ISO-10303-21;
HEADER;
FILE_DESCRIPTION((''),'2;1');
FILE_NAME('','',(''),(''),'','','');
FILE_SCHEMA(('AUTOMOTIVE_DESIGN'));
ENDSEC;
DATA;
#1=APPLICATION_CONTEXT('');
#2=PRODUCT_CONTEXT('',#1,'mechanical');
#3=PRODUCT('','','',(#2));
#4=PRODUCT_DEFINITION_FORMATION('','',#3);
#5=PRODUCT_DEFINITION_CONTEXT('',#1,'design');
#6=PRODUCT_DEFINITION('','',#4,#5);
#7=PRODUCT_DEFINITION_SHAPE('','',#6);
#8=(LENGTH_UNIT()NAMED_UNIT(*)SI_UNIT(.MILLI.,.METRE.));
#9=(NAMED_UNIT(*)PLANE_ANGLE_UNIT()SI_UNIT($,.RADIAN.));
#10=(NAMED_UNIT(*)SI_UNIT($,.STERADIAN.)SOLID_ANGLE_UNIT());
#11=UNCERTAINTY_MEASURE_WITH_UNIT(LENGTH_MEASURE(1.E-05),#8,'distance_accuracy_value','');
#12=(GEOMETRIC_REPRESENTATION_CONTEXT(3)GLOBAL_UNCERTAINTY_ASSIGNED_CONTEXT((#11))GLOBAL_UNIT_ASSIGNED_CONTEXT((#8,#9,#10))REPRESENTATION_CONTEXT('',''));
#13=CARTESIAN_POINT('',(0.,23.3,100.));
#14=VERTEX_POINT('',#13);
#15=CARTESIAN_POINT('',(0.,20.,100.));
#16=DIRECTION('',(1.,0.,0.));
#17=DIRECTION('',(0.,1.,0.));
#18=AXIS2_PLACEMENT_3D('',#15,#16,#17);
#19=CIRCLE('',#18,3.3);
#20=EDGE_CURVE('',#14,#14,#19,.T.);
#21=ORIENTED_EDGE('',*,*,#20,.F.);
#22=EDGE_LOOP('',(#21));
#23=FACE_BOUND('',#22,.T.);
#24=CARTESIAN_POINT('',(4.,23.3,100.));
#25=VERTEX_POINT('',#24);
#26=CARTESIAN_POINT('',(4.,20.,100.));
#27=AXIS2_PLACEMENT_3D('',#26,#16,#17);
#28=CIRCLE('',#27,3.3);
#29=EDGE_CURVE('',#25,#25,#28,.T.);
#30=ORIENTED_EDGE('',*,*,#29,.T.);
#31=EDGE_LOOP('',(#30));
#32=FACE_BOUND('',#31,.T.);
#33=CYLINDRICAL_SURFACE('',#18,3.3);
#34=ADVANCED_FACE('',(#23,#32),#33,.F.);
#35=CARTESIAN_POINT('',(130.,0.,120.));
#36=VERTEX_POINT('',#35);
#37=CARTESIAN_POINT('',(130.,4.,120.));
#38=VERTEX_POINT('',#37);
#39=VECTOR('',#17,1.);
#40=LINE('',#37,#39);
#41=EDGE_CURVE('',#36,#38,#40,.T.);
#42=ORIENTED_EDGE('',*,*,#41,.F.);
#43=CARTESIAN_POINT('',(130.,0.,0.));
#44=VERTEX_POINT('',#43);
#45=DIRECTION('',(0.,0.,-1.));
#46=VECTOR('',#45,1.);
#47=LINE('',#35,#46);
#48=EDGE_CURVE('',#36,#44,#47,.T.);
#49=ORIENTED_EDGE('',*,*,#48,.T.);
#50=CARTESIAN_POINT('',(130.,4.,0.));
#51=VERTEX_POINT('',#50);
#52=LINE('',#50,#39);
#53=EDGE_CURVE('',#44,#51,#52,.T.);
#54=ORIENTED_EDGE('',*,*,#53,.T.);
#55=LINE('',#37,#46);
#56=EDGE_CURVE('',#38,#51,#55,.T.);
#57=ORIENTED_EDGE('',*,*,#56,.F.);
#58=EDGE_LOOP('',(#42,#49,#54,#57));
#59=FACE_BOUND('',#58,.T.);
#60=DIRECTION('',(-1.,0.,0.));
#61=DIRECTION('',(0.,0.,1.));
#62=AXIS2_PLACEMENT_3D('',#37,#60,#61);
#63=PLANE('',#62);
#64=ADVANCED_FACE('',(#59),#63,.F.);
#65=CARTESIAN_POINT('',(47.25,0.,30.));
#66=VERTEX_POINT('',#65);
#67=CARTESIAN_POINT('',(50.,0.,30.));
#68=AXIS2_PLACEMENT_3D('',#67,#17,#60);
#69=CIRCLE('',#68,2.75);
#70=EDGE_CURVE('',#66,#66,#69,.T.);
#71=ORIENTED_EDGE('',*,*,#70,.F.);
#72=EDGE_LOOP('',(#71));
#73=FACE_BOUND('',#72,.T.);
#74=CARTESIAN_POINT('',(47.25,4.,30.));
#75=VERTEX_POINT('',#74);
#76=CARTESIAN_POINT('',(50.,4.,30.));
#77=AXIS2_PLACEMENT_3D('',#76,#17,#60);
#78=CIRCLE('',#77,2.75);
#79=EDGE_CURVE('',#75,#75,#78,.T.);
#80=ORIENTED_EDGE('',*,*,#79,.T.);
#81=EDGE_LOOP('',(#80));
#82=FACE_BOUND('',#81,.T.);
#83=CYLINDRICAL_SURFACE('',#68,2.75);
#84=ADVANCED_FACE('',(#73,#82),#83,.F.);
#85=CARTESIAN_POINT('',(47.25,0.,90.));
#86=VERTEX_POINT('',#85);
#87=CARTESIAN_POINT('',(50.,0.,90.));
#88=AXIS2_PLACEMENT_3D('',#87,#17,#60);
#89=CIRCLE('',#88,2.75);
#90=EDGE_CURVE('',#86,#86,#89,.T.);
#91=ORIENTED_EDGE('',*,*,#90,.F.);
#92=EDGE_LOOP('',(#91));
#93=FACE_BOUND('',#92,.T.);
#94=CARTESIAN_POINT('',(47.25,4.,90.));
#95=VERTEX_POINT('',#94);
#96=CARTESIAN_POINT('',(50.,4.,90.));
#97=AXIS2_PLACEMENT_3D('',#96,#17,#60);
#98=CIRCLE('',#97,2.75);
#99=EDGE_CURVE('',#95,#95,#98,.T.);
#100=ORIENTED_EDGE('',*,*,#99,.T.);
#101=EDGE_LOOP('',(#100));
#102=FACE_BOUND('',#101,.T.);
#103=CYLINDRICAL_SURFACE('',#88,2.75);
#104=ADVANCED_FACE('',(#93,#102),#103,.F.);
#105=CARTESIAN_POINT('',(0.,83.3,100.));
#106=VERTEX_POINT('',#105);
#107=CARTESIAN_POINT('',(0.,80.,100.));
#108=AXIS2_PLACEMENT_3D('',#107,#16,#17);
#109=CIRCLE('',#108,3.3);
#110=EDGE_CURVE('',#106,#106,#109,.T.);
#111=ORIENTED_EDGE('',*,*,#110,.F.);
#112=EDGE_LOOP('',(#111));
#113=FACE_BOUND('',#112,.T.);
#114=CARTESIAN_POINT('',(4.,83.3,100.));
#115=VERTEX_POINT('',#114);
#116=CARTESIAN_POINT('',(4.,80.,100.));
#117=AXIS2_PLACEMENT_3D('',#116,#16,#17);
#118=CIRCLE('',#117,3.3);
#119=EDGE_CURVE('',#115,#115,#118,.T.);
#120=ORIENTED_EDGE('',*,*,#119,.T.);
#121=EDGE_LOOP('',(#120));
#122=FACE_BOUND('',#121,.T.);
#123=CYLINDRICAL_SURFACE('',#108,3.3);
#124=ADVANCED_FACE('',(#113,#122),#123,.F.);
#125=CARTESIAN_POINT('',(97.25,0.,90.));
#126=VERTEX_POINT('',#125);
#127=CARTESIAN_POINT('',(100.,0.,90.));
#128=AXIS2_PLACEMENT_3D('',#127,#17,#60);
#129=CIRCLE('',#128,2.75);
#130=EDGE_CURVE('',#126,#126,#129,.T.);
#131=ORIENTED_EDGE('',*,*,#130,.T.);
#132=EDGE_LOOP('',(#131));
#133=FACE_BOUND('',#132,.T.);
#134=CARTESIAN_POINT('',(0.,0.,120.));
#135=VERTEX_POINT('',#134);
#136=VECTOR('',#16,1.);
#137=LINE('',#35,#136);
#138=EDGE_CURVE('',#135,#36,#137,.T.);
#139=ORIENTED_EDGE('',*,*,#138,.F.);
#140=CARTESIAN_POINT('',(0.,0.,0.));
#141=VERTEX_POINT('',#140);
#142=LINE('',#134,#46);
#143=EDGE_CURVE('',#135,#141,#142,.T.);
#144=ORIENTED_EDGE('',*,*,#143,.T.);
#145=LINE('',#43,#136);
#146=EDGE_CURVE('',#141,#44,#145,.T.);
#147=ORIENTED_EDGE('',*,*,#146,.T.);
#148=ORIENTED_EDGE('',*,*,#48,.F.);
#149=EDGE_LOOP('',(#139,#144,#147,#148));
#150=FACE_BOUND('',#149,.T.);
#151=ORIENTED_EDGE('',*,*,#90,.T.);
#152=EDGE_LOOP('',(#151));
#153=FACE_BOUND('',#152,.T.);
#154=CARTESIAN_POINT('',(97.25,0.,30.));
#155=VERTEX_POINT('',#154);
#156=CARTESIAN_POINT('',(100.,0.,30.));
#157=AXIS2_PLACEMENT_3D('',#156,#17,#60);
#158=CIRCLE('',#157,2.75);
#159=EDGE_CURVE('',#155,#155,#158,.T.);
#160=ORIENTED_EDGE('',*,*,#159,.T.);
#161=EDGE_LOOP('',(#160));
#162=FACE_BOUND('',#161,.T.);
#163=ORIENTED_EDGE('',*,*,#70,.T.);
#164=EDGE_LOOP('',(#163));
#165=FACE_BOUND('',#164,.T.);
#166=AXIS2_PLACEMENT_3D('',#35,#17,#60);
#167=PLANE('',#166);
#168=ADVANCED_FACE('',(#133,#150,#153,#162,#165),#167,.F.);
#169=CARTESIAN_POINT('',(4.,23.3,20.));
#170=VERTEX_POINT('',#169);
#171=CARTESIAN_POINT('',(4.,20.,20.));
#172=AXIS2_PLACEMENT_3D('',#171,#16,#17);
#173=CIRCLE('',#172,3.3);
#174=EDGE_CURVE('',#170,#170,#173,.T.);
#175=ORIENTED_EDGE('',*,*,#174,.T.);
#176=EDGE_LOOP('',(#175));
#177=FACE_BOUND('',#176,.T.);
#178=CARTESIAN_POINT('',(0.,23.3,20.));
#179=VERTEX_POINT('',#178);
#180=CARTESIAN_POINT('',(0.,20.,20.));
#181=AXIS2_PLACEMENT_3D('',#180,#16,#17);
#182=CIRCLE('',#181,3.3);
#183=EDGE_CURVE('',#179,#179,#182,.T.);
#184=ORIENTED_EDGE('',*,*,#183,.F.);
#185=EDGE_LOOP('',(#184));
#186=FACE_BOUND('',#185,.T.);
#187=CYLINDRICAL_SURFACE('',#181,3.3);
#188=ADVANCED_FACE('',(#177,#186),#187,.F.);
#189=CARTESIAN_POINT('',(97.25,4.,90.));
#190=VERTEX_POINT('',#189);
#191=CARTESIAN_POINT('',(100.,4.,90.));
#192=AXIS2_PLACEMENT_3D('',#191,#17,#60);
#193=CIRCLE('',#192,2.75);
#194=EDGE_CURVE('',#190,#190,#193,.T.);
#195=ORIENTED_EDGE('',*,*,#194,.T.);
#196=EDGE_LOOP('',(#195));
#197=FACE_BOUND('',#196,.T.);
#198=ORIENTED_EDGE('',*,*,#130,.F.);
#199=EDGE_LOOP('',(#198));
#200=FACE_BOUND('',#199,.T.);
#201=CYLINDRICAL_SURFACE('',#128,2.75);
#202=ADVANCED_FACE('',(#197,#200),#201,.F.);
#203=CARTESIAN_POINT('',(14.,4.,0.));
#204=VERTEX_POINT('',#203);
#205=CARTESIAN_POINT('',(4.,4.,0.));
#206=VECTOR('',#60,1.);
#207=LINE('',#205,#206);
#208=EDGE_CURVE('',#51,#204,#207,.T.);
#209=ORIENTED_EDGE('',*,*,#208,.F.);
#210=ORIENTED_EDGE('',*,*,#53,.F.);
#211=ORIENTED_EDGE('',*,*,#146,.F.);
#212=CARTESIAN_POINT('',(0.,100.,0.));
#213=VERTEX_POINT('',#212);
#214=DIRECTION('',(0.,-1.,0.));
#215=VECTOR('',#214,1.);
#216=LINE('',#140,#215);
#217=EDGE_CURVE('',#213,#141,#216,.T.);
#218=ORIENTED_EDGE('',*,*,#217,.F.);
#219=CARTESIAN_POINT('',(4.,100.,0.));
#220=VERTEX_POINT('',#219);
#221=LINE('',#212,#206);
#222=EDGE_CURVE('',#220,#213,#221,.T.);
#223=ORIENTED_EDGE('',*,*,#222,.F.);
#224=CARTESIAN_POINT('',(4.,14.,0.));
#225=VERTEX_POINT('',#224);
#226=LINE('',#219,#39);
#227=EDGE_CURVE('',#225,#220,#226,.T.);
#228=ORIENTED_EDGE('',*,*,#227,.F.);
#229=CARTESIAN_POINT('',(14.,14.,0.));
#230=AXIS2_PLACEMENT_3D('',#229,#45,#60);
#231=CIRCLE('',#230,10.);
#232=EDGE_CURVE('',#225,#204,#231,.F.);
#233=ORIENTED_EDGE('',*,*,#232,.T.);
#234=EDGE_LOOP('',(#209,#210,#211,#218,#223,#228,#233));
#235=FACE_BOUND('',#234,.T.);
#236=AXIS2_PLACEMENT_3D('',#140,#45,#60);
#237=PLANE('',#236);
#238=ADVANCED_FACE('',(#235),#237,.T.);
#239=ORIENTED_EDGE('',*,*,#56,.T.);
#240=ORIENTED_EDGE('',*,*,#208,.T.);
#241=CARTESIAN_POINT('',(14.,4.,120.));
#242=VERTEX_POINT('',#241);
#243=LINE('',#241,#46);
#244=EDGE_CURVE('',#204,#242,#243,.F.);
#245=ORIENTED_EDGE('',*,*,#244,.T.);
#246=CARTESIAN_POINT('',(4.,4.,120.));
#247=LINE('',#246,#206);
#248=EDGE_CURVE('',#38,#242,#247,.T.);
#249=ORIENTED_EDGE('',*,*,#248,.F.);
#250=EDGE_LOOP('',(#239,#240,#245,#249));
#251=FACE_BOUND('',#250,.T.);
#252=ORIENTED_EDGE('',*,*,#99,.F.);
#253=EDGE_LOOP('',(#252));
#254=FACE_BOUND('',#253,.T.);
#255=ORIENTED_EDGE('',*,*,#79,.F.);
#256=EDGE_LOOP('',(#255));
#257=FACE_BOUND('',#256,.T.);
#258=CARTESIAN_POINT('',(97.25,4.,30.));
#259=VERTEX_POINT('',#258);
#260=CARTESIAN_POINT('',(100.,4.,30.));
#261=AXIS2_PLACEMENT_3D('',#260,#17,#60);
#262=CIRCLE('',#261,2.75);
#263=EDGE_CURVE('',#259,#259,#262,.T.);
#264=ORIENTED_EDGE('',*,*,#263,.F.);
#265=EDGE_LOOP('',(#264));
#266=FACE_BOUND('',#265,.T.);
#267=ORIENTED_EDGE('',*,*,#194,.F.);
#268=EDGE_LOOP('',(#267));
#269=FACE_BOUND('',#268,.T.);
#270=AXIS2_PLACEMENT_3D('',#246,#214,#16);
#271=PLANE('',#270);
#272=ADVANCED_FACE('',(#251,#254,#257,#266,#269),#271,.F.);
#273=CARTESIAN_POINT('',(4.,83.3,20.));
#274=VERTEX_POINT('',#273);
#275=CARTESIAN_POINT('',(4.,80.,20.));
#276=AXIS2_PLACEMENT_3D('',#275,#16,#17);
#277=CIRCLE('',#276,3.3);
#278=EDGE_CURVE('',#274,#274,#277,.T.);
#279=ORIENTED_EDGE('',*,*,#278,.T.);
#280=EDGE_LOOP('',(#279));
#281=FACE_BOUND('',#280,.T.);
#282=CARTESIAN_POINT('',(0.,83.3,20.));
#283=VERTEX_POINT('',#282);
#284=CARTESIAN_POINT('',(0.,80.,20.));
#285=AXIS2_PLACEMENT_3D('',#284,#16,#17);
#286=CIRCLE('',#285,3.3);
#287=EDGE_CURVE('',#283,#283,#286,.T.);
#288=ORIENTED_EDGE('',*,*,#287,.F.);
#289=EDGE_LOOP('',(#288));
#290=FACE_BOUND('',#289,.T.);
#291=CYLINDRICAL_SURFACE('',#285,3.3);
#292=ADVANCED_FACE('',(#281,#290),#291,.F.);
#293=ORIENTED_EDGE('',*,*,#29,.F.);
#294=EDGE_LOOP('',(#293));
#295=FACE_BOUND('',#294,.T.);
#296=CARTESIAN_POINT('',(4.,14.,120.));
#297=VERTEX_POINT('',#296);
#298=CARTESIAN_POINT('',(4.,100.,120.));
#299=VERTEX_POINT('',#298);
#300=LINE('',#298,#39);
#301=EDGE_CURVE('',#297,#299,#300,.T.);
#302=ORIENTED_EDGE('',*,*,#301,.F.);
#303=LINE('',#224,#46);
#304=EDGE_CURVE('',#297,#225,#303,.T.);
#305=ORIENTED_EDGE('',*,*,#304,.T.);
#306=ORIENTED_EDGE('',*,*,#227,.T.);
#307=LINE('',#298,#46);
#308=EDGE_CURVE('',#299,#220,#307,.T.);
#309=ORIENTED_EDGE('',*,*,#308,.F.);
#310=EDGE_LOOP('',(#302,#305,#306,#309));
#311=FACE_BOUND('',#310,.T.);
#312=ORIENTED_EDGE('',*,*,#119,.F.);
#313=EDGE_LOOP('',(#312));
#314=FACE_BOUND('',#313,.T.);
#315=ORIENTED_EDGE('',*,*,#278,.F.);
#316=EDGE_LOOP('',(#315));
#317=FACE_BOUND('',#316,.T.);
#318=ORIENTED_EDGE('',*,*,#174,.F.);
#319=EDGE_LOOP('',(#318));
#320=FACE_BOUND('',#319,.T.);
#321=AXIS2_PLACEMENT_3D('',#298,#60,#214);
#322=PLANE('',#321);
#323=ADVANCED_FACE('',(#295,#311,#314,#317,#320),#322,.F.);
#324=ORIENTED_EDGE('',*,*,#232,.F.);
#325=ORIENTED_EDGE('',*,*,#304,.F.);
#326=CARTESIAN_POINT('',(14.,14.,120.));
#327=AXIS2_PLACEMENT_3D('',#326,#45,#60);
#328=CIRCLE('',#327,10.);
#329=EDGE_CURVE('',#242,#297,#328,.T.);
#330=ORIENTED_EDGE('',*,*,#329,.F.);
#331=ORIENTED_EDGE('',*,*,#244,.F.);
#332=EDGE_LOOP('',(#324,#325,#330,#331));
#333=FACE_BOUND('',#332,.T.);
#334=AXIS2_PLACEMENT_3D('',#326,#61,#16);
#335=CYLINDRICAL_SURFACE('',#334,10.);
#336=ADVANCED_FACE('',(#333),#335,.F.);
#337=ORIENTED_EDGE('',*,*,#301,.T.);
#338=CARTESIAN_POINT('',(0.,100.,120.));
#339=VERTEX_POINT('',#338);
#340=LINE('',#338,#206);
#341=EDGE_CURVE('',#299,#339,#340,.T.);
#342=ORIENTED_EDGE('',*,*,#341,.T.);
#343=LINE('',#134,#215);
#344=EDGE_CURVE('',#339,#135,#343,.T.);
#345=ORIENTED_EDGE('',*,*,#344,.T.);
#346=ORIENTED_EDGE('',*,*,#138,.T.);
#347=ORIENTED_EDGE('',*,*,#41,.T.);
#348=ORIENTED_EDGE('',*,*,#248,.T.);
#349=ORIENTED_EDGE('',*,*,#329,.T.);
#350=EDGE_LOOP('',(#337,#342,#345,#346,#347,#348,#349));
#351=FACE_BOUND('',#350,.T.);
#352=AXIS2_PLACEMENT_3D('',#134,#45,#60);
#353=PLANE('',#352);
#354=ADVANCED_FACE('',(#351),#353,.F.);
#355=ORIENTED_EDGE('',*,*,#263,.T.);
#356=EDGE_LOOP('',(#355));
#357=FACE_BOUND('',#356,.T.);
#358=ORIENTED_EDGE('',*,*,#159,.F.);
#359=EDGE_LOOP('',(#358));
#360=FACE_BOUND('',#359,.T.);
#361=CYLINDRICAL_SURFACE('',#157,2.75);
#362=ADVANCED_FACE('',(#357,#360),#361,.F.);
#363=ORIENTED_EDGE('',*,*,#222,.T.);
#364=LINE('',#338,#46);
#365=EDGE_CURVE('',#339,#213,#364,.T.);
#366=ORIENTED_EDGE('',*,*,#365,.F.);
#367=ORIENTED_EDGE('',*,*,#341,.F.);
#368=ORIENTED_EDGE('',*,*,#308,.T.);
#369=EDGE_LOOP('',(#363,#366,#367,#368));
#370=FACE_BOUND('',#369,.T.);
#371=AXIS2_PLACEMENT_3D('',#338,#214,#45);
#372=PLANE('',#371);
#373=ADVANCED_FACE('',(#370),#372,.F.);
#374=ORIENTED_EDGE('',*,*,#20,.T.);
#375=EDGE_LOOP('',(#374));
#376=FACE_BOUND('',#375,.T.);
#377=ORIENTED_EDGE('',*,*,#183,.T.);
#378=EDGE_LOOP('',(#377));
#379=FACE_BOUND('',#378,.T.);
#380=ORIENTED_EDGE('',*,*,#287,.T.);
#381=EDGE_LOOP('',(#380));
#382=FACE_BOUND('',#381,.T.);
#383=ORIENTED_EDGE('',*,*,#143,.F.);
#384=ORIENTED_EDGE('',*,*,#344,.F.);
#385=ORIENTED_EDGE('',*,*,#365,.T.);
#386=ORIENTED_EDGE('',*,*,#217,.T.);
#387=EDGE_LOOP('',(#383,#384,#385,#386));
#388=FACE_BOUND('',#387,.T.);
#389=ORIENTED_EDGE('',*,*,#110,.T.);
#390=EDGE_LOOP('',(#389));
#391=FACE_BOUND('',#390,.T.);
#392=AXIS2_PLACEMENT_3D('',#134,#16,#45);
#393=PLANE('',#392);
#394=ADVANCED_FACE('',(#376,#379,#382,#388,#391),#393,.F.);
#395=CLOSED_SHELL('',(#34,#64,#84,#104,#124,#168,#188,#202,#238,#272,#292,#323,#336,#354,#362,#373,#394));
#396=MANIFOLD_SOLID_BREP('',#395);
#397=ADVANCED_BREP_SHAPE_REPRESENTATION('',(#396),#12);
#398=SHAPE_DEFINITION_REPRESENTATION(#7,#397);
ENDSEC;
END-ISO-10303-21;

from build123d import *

# Parameters (mm, degrees)
BOSS_EXTRUDE1_DEPTH = 120
SKETCH4_R           = 3.3
CUT_EXTRUDE1_DEPTH  = 201.688813839
SKETCH5_R           = 2.75
CUT_EXTRUDE2_DEPTH  = 202.285866369
FILLET1_R           = 10


with BuildPart() as part:
    # Sketch2 → Boss-Extrude1 (new body)
    with BuildSketch(Plane.XY):
        Polygon((0, 0), (0, 100), (4, 100), (4, 4), (130, 4), (130, 0), align=None)
    extrude(amount=BOSS_EXTRUDE1_DEPTH)

    # Sketch4 → Cut-Extrude1 (cut, through all)
    with BuildSketch(Plane(origin=(4, 0, 0), x_dir=(0, 0, -1), z_dir=(1, 0, 0))):
        with Locations(Location((-100, 80, 0), (0, 0, 90))):
            Circle(SKETCH4_R)
        with Locations(Location((-20, 80, 0), (0, 0, 90))):
            Circle(SKETCH4_R)
        with Locations(Location((-20, 20, 0), (0, 0, 90))):
            Circle(SKETCH4_R)
        with Locations(Location((-100, 20, 0), (0, 0, 90))):
            Circle(SKETCH4_R)
    extrude(amount=-CUT_EXTRUDE1_DEPTH, mode=Mode.SUBTRACT)

    # Sketch5 → Cut-Extrude2 (cut, through all)
    with BuildSketch(Plane(origin=(0, 4, 0), x_dir=(1, 0, 0), z_dir=(0, 1, 0))):
        with Locations(Location((100, -30, 0), (0, 0, 180))):
            Circle(SKETCH5_R)
        with Locations(Location((50, -30, 0), (0, 0, 180))):
            Circle(SKETCH5_R)
        with Locations(Location((50, -90, 0), (0, 0, 180))):
            Circle(SKETCH5_R)
        with Locations(Location((100, -90, 0), (0, 0, 180))):
            Circle(SKETCH5_R)
    extrude(amount=-CUT_EXTRUDE2_DEPTH, mode=Mode.SUBTRACT)

    # Fillet1
    fillet1_edges = [part.edges().sort_by_distance(p)[0] for p in [
        (4, 4, 60),
    ]]
    fillet(fillet1_edges, radius=FILLET1_R)


solid = part.part
